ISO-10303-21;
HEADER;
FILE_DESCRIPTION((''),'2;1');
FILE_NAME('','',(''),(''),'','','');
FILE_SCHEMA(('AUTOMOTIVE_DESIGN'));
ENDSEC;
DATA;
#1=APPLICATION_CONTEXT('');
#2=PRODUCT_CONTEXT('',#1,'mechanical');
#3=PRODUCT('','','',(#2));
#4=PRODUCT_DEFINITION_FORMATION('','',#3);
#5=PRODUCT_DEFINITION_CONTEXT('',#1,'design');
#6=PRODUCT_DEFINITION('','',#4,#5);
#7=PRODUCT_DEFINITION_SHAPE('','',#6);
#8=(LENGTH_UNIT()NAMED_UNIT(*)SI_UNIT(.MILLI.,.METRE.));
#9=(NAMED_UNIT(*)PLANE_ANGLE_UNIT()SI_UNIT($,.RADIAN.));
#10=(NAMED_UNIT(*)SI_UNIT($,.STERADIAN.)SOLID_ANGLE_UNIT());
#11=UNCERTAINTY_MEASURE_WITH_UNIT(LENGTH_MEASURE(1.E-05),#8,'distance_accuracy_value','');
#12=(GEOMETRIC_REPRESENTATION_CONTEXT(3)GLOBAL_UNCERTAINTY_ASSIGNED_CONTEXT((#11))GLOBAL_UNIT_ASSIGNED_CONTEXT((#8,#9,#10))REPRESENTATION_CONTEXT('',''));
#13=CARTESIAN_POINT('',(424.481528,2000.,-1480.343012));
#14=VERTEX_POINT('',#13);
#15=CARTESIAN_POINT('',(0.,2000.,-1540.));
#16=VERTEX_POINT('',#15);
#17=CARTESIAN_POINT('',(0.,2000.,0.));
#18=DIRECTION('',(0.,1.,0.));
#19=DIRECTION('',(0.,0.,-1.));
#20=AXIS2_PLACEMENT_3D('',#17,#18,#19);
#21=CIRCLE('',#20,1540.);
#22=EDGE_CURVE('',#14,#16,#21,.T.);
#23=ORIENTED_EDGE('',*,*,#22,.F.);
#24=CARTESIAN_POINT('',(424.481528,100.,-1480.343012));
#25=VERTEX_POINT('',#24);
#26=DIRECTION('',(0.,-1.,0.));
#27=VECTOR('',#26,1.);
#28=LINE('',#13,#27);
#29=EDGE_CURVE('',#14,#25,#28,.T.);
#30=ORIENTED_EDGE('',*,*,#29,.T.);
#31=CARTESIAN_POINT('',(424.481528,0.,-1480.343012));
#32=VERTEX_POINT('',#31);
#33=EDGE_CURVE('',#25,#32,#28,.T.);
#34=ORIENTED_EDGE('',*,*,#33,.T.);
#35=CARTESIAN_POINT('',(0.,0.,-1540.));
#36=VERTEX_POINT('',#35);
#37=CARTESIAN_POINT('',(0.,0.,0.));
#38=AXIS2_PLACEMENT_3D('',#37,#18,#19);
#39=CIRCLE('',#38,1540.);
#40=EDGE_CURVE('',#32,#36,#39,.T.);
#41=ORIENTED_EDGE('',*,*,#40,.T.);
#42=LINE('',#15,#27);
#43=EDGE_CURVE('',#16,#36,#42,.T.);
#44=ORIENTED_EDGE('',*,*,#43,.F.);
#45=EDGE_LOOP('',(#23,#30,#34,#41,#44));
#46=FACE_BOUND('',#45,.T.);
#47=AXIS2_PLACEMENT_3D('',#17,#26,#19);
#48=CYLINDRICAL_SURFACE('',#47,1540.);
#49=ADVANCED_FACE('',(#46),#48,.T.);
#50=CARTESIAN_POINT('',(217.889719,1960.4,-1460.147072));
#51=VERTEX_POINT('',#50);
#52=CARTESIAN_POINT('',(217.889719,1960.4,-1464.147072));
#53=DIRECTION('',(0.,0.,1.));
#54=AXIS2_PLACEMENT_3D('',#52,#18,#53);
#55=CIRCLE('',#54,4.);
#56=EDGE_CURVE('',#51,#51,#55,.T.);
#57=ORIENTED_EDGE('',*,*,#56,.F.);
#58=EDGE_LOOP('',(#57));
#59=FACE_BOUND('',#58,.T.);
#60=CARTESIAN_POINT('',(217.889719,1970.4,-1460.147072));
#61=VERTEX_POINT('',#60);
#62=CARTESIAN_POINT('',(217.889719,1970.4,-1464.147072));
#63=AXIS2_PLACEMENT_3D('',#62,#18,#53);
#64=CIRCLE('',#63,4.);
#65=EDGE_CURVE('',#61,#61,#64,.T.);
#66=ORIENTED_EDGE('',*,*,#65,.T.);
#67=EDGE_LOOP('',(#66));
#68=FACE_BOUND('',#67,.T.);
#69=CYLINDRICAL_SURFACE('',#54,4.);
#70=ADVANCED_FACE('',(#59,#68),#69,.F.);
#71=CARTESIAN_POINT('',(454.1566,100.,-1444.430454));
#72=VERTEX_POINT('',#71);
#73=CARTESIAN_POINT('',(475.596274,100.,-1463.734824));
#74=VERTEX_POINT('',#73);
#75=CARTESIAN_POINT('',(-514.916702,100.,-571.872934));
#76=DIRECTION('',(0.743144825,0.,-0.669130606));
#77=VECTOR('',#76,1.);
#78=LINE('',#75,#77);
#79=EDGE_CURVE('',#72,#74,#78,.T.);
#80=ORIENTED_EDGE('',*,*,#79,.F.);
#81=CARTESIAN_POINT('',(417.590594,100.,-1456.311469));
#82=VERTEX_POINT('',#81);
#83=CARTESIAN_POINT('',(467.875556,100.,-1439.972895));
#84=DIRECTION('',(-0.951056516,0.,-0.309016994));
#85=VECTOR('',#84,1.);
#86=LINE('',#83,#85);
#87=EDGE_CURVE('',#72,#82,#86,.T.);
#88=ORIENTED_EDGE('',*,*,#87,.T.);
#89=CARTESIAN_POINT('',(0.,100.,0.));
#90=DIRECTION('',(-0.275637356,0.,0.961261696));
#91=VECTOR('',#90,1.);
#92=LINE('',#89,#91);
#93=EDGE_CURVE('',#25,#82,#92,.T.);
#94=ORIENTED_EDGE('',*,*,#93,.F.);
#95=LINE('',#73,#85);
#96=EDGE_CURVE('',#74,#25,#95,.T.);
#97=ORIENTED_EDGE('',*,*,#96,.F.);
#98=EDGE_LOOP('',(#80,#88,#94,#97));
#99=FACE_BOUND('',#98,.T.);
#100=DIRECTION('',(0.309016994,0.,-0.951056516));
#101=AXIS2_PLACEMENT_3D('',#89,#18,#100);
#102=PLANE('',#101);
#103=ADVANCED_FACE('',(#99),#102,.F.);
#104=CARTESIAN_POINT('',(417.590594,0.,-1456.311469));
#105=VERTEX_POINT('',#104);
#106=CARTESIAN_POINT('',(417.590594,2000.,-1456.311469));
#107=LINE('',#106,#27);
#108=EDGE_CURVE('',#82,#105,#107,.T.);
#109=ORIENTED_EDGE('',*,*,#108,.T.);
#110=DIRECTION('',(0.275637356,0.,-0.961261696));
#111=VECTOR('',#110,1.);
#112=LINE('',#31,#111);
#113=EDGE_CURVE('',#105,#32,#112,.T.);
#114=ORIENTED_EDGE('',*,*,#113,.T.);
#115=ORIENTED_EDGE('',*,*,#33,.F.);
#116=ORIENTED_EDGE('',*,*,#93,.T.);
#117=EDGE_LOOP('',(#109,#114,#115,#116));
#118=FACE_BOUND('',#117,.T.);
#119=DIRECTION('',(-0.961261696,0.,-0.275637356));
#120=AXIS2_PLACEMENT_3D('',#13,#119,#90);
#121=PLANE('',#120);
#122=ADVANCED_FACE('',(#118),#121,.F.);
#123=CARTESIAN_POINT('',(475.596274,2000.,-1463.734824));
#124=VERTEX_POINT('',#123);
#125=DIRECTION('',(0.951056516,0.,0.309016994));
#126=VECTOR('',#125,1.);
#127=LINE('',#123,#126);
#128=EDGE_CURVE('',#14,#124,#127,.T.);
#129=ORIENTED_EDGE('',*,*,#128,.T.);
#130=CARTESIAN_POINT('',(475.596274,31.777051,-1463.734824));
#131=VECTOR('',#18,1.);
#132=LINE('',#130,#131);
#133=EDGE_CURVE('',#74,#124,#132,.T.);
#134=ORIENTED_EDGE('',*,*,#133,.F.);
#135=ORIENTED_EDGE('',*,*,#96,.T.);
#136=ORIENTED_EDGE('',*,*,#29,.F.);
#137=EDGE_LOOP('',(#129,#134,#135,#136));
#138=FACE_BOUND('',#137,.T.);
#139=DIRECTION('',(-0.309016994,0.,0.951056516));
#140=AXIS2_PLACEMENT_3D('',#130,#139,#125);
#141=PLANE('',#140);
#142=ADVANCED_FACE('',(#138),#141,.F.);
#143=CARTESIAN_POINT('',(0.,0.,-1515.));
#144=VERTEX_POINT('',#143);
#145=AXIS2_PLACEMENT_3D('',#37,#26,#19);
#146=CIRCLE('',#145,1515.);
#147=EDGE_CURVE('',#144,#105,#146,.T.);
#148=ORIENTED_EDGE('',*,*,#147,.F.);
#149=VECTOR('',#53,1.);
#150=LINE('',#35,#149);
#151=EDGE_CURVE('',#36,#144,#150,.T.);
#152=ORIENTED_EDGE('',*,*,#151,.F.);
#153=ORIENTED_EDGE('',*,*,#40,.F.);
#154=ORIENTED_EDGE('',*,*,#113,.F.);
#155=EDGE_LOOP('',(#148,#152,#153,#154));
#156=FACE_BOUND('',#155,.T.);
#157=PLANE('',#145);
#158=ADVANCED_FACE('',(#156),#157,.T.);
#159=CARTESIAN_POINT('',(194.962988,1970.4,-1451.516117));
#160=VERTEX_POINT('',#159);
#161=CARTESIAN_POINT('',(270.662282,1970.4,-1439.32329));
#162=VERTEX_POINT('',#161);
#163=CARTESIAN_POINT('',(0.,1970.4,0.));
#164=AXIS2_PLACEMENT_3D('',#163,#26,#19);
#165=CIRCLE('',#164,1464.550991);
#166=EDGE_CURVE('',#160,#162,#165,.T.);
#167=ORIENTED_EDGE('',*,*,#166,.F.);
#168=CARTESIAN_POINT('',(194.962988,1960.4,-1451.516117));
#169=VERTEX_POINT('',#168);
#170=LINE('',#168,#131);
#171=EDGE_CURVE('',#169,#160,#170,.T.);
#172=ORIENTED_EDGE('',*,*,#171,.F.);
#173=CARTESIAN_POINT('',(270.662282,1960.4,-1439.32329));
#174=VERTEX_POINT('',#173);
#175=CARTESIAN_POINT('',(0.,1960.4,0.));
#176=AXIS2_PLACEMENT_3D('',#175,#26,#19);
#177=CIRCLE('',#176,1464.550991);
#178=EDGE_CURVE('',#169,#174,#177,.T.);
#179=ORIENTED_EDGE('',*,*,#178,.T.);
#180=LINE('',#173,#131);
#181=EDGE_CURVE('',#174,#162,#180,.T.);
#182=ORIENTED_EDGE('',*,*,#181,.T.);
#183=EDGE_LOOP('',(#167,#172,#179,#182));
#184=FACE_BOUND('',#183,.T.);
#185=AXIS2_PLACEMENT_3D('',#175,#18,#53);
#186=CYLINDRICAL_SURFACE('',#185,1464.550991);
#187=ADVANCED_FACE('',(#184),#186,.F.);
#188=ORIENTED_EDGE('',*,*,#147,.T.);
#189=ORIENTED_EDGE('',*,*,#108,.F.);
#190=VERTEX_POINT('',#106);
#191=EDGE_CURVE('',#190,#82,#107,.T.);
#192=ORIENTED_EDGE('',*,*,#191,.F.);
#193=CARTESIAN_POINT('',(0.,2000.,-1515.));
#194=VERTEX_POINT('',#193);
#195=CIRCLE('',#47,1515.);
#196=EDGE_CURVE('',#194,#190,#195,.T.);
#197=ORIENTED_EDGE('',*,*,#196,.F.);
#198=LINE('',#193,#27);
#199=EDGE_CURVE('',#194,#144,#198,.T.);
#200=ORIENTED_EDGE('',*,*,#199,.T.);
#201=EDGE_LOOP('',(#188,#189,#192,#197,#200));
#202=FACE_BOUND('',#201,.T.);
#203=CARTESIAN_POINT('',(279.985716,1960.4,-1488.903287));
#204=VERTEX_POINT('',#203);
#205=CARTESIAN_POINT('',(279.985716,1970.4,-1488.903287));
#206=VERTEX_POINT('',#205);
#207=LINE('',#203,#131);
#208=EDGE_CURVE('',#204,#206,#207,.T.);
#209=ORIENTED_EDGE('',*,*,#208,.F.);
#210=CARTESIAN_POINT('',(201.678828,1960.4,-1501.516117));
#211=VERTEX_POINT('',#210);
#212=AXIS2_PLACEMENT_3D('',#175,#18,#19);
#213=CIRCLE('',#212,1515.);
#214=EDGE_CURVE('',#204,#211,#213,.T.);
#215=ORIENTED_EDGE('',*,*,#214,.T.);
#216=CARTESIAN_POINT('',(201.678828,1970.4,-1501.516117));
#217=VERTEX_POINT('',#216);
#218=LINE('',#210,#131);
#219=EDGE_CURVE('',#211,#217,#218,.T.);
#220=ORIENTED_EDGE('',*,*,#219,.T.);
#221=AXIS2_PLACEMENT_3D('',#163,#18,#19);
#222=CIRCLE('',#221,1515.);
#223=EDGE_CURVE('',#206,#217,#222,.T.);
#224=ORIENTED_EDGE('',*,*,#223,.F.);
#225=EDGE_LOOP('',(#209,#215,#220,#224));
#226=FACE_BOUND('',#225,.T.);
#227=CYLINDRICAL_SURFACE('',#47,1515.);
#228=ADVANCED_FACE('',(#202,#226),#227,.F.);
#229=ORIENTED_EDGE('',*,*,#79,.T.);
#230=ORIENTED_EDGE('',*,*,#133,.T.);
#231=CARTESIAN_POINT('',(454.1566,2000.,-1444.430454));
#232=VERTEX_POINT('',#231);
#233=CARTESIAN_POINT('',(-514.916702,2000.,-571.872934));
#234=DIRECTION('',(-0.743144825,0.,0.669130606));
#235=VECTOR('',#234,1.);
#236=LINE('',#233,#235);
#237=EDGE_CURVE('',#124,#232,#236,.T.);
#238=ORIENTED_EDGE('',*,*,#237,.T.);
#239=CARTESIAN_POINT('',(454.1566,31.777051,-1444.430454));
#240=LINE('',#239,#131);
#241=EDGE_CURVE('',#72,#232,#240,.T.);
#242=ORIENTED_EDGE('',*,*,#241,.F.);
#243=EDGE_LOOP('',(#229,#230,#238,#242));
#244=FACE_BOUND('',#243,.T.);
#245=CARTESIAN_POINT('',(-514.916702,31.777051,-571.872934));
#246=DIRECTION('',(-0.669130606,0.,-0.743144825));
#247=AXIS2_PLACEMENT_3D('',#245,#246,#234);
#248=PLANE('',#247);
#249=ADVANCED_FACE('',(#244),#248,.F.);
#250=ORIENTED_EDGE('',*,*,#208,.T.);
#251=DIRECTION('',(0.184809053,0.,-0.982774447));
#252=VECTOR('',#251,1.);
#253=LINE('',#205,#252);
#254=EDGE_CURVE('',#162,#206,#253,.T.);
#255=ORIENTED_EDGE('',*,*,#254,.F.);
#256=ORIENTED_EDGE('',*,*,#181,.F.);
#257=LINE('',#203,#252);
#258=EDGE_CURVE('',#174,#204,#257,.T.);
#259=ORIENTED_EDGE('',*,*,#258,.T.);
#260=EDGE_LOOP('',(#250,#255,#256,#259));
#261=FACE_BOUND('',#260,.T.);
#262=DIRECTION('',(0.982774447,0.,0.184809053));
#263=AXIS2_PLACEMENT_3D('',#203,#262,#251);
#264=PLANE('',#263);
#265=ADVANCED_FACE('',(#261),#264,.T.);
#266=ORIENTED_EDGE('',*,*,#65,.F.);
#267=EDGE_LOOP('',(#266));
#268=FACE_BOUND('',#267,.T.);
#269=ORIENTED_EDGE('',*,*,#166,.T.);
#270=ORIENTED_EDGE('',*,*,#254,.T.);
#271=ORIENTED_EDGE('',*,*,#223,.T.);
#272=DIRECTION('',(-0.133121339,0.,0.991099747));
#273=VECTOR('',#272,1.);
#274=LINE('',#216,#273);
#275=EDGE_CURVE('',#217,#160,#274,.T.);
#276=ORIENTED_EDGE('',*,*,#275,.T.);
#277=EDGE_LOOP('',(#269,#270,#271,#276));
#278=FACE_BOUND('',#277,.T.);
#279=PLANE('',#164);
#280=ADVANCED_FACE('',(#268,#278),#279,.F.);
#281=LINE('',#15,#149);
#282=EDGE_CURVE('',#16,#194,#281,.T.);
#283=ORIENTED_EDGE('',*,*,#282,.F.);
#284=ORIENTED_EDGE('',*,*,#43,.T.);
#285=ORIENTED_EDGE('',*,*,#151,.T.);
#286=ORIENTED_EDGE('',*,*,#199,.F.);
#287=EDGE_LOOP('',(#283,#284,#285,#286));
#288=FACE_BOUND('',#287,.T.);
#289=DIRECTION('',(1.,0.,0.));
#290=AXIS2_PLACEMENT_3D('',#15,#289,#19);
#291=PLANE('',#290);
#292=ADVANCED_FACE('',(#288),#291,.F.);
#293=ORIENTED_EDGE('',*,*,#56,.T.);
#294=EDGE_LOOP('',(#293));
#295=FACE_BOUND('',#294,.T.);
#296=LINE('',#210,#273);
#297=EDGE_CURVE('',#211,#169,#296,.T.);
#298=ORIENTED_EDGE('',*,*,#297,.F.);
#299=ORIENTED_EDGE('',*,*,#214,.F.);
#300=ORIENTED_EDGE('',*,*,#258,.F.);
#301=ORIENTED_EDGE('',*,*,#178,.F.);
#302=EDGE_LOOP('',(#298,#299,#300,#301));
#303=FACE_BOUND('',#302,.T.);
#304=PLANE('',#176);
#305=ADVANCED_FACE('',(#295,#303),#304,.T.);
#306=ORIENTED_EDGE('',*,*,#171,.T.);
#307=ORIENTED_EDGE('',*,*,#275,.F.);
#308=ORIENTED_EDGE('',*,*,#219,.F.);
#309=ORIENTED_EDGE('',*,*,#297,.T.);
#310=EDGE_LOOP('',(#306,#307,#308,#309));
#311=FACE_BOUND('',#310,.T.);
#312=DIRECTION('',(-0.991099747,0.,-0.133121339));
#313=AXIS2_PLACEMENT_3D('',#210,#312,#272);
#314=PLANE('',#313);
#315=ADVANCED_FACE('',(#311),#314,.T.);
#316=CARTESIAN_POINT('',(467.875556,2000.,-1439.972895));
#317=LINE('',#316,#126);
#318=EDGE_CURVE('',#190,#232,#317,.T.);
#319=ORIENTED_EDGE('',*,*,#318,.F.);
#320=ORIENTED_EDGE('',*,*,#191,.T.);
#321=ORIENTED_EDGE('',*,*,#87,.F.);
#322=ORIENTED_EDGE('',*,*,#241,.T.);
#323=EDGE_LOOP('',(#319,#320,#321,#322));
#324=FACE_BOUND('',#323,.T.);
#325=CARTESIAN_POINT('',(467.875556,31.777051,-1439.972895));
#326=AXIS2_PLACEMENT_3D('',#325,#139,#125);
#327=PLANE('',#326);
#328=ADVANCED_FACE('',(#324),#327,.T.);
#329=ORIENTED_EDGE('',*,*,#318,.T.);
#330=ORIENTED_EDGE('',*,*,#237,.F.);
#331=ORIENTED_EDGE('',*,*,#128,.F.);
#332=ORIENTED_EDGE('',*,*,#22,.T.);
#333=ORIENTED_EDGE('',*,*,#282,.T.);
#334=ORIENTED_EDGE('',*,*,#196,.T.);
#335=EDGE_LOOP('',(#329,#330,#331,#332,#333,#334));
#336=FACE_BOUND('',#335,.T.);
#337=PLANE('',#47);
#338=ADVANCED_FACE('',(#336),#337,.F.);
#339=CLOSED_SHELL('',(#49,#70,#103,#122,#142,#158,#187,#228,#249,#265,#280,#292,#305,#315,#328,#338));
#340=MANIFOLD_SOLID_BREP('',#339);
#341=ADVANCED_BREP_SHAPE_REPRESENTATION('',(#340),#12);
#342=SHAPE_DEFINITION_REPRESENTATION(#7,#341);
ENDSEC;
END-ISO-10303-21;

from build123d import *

# Parameters (mm, degrees)
EXTRUDE_1_DEPTH     = 2000
EXTRUDE_2_DEPTH     = 1900
EXTRUDE_START       = -10
EXTRUDE_3_DEPTH     = 10
SKETCH_4_R          = 4
CUT_EXTRUDE_1_DEPTH = 10


with BuildPart() as part:
    # 草图1 → 凸台-拉伸1 (new body)
    with BuildSketch(Plane(origin=(0, 0, 0), x_dir=(1, 0, 0), z_dir=(0, 1, 0))):
        with BuildLine():
            Line((0, 1540), (0, 1515))
            ThreePointArc((0, 1515), (210.847247954, 1500.256124143), (417.590594063, 1456.311469347))
            Line((417.590594063, 1456.311469347), (424.481527958, 1480.343011745))
            ThreePointArc((424.481527958, 1480.343011745), (214.326575478, 1525.012825862), (0, 1540))
        make_face()
    extrude(amount=EXTRUDE_1_DEPTH)

    # 草图2 → 凸台-拉伸2 (add)
    with BuildSketch(Plane(origin=(0, 2000, 0), x_dir=(1, 0, 0), z_dir=(0, 1, 0))):
        Polygon((475.59627434, 1463.734823878), (424.481527958, 1480.343011745), (417.590594063, 1456.311469347), (454.15659952, 1444.430453961), align=None)
    extrude(amount=-EXTRUDE_2_DEPTH)

    # 草图3 → 凸台-拉伸3 (add)
    with BuildSketch(Plane(origin=(0, 1970.4, 0), x_dir=(1, 0, 0), z_dir=(0, 1, 0)).offset(EXTRUDE_START)):
        with BuildLine():
            Line((201.678827868, 1501.516117259), (194.962988272, 1451.516117259))
            ThreePointArc((194.962988272, 1451.516117259), (232.892441695, 1445.915182873), (270.662282272, 1439.323290444))
            Line((270.662282272, 1439.323290444), (279.985715854, 1488.903287295))
            ThreePointArc((279.985715854, 1488.903287295), (240.914827355, 1495.722248935), (201.678827868, 1501.516117259))
        make_face()
    extrude(amount=EXTRUDE_3_DEPTH)

    # 草图4 → 切除-拉伸1 (cut)
    with BuildSketch(Plane(origin=(0, 1970.4, 0), x_dir=(1, 0, 0), z_dir=(0, 1, 0))):
        with Locations(Location((217.889718701, 1464.147071856, 0), (0, 0, 270))):
            Circle(SKETCH_4_R)
    extrude(amount=-CUT_EXTRUDE_1_DEPTH, mode=Mode.SUBTRACT)


solid = part.part
